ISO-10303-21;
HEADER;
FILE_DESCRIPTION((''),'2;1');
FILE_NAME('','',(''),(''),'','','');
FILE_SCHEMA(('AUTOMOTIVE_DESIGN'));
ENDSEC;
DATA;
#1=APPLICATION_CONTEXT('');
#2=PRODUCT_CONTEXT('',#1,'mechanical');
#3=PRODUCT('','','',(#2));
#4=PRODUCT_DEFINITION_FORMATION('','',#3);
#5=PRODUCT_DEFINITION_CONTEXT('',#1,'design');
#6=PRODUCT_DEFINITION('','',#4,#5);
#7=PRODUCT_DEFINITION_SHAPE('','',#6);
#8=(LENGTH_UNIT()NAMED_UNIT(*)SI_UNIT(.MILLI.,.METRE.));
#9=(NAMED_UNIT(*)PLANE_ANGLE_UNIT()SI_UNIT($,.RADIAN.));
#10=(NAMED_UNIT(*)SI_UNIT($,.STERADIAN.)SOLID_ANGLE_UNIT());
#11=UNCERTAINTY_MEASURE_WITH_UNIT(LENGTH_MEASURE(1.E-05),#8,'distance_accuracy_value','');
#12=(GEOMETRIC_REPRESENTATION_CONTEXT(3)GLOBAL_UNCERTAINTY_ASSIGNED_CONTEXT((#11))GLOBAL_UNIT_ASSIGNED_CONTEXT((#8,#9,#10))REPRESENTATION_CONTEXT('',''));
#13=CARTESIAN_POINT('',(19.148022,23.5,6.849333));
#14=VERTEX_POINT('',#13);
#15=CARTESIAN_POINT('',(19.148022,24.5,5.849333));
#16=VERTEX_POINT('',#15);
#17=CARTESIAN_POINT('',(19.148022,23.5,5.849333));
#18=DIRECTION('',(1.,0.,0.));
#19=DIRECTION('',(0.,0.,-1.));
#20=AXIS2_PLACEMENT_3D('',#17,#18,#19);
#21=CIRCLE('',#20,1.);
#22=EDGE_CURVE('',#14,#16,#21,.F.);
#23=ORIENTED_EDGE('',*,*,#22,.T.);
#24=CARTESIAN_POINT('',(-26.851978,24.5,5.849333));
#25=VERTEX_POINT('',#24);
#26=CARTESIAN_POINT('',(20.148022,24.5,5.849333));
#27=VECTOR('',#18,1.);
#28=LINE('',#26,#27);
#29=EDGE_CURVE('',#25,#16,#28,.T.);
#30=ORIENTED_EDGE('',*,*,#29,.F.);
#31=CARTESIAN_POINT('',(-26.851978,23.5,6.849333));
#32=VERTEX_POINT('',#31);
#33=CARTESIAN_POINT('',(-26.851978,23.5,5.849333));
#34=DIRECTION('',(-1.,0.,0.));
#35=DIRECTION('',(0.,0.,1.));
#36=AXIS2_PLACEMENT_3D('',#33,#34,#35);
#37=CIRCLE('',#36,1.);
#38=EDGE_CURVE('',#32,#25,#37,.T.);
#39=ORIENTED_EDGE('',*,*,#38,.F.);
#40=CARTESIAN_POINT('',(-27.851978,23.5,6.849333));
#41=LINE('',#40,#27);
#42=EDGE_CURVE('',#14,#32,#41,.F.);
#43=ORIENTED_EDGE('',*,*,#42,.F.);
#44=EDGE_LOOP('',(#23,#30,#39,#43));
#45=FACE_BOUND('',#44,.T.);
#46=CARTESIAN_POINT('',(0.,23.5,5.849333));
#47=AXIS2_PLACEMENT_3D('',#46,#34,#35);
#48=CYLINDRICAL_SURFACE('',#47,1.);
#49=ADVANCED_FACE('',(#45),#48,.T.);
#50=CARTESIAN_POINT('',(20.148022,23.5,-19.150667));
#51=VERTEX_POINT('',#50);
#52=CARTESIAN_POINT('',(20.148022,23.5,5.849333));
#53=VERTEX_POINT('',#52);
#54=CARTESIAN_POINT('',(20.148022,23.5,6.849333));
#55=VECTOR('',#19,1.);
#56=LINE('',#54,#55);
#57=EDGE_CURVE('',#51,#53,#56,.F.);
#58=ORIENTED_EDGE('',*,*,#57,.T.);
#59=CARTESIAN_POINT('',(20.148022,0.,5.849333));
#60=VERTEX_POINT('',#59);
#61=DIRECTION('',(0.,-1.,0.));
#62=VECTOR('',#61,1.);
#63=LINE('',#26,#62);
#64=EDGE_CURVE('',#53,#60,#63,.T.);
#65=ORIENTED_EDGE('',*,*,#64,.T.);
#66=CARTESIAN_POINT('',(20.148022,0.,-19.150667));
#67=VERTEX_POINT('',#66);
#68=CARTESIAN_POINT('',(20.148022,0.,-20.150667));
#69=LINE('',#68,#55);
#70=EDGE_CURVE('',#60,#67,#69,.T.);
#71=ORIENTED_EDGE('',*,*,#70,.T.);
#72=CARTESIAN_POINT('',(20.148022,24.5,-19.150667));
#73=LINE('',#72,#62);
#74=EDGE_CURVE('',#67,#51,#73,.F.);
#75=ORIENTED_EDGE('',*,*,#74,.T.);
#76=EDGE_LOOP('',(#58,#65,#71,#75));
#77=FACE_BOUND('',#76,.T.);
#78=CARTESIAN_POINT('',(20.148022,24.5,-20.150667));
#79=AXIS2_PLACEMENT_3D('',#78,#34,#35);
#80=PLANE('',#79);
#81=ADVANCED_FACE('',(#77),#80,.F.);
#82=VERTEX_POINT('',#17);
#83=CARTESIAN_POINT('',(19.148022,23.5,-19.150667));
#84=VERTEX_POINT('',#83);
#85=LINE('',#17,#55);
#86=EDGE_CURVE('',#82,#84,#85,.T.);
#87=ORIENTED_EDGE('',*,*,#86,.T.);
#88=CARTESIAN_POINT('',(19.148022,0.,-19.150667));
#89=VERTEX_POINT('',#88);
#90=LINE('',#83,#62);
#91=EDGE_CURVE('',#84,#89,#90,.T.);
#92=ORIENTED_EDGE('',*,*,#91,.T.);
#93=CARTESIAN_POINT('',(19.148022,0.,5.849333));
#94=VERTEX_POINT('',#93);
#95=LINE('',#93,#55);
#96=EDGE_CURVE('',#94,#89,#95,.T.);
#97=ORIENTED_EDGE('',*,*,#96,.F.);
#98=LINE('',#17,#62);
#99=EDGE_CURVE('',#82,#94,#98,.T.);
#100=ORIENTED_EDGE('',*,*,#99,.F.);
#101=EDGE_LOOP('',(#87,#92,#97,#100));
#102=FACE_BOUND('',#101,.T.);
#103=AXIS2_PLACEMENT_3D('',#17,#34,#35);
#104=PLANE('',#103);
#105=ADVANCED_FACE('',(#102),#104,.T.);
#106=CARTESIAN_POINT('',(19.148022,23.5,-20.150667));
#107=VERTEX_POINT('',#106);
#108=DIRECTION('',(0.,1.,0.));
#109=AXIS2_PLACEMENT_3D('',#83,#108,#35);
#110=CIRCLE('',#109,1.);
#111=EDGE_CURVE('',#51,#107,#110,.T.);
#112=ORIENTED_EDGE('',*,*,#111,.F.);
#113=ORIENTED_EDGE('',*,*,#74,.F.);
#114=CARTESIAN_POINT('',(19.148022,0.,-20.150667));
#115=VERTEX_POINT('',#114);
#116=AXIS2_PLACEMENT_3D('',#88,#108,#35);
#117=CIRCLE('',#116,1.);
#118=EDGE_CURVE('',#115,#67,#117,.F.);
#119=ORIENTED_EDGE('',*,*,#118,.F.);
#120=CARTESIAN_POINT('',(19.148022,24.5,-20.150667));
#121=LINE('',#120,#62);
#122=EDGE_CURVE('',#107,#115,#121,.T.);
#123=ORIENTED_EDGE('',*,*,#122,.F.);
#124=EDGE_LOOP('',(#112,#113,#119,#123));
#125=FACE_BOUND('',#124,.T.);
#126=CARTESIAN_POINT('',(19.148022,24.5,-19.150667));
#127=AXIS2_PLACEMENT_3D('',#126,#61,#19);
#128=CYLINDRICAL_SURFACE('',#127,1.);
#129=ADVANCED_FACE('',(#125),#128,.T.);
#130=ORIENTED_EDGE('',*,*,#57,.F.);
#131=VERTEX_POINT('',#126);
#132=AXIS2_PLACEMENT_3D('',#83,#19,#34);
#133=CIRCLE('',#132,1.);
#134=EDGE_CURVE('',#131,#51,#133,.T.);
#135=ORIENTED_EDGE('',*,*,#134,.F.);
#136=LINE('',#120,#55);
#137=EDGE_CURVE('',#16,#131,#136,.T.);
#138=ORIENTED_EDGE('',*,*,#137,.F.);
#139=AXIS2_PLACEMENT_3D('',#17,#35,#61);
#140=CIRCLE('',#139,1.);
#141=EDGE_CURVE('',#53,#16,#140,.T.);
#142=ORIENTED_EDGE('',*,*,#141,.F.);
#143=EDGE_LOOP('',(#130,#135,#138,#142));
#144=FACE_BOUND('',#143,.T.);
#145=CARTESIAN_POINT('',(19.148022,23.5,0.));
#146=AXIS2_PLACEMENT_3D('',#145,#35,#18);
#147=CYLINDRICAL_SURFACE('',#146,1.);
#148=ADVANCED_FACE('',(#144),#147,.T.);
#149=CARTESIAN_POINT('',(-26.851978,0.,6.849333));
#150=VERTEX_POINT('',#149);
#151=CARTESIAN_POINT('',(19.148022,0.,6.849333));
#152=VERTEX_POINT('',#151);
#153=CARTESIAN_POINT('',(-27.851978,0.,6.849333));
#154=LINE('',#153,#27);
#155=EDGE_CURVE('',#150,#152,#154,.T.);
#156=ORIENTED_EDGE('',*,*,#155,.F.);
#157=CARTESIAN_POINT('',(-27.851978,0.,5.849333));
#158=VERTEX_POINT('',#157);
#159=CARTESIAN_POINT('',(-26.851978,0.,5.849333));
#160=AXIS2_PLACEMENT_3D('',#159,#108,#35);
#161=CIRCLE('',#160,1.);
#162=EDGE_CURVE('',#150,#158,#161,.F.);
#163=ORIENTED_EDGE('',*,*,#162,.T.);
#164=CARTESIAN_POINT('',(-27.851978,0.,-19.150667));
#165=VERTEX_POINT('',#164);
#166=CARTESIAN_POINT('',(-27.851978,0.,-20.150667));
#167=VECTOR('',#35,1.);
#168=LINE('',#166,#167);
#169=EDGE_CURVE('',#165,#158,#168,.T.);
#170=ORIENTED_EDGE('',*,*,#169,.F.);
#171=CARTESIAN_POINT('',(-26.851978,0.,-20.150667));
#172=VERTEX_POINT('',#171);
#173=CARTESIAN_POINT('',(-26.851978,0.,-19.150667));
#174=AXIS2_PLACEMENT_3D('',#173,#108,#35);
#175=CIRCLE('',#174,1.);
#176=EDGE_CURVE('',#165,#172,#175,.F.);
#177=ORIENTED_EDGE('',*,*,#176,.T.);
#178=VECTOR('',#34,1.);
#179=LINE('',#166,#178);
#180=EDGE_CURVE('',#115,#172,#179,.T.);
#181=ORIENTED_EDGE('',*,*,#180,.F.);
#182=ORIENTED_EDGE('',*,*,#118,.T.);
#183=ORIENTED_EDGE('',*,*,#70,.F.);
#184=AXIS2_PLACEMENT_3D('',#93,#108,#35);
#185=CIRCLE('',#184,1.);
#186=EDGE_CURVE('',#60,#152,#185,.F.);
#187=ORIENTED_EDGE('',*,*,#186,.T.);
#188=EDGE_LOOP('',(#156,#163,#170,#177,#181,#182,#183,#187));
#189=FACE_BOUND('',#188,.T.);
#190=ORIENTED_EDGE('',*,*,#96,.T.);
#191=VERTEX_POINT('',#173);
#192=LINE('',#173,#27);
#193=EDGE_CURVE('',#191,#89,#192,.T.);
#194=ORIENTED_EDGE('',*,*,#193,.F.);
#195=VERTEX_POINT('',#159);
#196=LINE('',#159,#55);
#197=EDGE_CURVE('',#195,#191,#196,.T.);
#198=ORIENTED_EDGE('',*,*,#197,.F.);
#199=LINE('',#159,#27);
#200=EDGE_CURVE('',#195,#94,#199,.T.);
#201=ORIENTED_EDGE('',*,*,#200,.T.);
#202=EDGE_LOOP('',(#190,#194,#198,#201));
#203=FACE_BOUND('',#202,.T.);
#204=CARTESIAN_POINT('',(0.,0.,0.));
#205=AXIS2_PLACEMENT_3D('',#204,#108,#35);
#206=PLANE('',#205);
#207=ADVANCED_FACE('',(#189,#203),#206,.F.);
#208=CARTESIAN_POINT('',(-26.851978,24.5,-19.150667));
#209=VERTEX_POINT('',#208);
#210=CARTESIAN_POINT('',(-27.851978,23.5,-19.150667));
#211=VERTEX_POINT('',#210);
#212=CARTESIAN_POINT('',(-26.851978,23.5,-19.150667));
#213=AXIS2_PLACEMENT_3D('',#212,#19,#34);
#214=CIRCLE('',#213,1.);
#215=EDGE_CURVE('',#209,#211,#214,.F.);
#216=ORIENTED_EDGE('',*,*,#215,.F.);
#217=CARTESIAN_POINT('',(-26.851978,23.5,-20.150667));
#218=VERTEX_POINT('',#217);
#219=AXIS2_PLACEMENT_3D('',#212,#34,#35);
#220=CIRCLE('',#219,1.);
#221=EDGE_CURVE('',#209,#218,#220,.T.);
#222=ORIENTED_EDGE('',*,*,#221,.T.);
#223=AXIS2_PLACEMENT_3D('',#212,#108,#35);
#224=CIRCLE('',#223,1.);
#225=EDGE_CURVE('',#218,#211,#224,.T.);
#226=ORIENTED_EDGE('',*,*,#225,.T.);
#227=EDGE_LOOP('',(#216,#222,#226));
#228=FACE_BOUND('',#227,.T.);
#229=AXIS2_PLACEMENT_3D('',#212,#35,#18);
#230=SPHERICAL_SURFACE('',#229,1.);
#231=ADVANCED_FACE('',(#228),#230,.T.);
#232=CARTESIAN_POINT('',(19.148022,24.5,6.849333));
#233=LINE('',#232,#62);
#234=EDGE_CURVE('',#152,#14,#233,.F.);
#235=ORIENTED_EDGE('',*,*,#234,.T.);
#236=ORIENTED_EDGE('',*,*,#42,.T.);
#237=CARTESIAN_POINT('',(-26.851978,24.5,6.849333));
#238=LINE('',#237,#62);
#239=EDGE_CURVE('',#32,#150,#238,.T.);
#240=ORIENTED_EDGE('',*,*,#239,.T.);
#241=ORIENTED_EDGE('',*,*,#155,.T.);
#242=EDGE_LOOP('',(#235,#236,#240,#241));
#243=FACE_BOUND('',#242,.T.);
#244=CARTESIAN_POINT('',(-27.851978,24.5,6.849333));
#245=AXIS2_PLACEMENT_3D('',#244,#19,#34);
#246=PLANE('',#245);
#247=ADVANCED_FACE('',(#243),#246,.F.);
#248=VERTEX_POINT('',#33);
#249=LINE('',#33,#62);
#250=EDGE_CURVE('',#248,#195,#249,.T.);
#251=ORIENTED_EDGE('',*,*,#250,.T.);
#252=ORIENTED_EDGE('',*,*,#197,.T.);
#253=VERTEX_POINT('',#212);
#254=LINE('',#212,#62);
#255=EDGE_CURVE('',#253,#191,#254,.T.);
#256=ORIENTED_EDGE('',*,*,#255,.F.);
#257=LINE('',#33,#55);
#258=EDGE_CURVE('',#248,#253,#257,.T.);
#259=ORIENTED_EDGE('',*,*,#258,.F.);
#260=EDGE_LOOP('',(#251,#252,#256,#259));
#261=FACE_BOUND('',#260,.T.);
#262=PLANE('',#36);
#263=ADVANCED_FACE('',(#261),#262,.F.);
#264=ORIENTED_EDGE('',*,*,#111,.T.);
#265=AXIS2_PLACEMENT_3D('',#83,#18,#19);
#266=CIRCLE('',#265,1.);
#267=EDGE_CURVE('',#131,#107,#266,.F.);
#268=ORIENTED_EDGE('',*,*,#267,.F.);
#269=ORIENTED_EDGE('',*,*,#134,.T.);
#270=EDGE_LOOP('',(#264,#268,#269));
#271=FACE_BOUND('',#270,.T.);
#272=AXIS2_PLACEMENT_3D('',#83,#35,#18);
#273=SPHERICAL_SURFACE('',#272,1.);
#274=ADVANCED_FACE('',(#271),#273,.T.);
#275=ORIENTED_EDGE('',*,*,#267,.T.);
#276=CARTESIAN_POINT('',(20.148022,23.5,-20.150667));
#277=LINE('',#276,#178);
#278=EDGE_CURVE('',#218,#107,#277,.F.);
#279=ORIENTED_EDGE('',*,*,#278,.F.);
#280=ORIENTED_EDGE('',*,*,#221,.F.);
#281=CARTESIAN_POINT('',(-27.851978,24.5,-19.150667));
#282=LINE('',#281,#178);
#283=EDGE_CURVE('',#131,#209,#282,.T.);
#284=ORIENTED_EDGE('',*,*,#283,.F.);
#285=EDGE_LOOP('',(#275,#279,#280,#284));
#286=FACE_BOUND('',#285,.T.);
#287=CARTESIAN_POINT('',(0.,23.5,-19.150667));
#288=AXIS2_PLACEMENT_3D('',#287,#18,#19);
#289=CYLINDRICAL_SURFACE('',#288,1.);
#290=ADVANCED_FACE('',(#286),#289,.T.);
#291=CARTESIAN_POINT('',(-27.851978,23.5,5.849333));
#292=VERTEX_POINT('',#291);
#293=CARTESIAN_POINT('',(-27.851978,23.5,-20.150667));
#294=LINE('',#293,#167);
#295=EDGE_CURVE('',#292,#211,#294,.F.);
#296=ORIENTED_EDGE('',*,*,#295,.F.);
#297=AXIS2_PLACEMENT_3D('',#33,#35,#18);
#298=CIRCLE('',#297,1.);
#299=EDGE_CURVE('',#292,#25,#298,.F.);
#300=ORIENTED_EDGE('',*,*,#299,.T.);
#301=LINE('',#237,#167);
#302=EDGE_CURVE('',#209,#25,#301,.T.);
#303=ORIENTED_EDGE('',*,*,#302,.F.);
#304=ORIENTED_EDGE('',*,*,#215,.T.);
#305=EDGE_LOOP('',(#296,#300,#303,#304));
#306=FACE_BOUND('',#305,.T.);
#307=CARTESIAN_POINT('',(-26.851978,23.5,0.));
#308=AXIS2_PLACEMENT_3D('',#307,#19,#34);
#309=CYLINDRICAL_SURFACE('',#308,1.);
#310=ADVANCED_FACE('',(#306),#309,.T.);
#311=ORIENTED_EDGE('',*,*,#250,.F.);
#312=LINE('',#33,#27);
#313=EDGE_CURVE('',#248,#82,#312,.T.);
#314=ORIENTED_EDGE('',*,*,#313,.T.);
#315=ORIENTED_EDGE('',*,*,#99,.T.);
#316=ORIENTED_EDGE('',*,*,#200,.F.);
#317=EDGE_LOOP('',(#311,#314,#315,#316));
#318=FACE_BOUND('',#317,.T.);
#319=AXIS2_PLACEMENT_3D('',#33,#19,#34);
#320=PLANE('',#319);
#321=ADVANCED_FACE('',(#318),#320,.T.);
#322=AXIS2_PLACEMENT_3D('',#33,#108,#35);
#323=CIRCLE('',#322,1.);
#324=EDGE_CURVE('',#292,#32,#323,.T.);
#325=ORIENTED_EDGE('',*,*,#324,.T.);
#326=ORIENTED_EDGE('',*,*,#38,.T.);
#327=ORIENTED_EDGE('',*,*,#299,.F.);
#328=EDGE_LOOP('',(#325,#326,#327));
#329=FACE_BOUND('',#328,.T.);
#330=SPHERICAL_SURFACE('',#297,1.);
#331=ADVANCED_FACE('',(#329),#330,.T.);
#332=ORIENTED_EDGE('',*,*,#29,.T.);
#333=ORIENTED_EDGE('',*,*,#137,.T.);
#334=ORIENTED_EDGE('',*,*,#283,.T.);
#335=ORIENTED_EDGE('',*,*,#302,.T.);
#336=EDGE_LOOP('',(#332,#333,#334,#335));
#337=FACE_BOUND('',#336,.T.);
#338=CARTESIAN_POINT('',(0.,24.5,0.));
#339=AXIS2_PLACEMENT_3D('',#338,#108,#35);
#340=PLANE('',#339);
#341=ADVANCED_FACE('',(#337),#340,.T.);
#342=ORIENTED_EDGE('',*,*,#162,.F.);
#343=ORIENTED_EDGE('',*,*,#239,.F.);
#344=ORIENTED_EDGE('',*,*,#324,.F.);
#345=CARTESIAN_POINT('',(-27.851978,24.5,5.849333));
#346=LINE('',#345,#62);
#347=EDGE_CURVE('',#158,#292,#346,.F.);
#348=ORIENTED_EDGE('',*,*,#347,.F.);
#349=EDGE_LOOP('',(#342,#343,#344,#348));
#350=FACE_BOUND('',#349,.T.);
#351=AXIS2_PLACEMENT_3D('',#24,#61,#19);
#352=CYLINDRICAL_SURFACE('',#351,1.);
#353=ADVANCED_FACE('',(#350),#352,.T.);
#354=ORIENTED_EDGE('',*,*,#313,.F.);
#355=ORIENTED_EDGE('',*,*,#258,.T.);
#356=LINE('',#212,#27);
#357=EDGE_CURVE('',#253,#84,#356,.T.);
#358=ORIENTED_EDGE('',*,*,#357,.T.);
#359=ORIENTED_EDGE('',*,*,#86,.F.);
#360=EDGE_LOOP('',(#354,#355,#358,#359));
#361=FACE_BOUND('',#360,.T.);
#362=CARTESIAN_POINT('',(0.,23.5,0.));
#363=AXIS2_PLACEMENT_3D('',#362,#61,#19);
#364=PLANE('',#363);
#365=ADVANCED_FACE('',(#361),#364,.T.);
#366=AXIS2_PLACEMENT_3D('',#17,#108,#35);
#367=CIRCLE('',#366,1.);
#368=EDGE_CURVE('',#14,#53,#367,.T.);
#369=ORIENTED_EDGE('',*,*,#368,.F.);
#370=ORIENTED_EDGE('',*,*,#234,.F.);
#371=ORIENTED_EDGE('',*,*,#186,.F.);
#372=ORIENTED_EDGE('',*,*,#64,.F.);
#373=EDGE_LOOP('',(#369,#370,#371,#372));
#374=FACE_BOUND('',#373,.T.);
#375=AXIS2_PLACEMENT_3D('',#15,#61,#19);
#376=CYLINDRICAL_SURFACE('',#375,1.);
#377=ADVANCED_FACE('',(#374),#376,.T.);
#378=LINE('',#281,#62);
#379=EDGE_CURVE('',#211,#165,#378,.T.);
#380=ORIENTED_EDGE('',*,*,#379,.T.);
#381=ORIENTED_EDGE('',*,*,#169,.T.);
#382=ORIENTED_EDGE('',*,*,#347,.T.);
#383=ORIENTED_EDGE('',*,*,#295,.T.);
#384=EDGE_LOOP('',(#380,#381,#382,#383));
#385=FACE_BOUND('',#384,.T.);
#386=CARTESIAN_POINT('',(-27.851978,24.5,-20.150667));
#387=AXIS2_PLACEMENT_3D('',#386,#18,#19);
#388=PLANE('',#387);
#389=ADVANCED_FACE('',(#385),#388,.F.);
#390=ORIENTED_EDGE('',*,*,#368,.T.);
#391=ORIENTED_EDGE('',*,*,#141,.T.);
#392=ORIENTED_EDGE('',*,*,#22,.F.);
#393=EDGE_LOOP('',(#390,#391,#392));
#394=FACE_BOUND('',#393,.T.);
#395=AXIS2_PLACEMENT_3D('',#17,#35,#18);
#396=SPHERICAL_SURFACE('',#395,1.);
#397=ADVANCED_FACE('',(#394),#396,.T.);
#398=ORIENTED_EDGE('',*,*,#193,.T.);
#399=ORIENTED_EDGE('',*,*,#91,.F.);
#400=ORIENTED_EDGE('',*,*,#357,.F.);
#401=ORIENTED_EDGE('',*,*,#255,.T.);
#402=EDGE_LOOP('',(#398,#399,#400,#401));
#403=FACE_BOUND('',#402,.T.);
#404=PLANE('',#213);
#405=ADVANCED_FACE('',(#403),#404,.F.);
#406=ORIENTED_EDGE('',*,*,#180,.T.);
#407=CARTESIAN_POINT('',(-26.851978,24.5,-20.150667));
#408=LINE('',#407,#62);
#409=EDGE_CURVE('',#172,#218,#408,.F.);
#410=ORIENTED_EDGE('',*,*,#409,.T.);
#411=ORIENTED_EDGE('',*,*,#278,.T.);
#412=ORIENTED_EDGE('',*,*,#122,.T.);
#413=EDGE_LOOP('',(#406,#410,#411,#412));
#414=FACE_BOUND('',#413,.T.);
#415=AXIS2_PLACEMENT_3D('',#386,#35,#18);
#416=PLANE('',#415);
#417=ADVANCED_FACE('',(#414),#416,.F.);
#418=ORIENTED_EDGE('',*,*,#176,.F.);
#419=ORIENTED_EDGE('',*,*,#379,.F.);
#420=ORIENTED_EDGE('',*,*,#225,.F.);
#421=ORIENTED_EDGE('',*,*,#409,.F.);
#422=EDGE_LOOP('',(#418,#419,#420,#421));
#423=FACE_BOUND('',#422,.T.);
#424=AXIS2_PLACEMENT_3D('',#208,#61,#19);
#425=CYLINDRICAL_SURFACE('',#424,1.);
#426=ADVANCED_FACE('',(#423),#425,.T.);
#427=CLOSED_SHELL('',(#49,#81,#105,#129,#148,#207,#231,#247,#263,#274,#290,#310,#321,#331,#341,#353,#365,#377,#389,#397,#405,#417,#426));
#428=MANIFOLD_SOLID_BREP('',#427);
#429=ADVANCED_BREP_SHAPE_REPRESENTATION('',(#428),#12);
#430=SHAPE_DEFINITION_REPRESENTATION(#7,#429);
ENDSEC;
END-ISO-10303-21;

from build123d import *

# Parameters (mm, degrees)
SKETCH_1_W          = 48
SKETCH_1_H          = 27
EXTRUDE_1_DEPTH     = 24.5
FILLET_1_R          = 1
SKETCH_4_W          = 46
SKETCH_4_H          = 25
CUT_EXTRUDE_1_DEPTH = 23.5


with BuildPart() as part:
    # ｽｹｯﾁ1 → ﾎﾞｽ - 押し出し1 (new body)
    with BuildSketch(Plane(origin=(0, 0, 0), x_dir=(1, 0, 0), z_dir=(0, 1, 0))):
        with Locations((-3.851977642, 6.650666667)):
            Rectangle(SKETCH_1_W, SKETCH_1_H)
    extrude(amount=EXTRUDE_1_DEPTH)

    # ﾌｨﾚｯﾄ1
    fillet_1_edges = [part.edges().sort_by_distance(p)[0] for p in [
        (20.148022358, 24.5, -6.650666667),
        (-3.851977642, 24.5, -20.150666667),
        (-27.851977642, 24.5, -6.650666667),
        (-3.851977642, 24.5, 6.849333333),
        (-27.851977642, 12.25, -20.150666667),
        (20.148022358, 12.25, -20.150666667),
        (20.148022358, 12.25, 6.849333333),
        (-27.851977642, 12.25, 6.849333333),
    ]]
    fillet(fillet_1_edges, radius=FILLET_1_R)

    # ｽｹｯﾁ4 → ｶｯﾄ - 押し出し1 (cut)
    with BuildSketch(Plane.XZ):
        with Locations((-3.851977642, -6.650666667)):
            Rectangle(SKETCH_4_W, SKETCH_4_H)
    extrude(amount=-CUT_EXTRUDE_1_DEPTH, mode=Mode.SUBTRACT)


solid = part.part
